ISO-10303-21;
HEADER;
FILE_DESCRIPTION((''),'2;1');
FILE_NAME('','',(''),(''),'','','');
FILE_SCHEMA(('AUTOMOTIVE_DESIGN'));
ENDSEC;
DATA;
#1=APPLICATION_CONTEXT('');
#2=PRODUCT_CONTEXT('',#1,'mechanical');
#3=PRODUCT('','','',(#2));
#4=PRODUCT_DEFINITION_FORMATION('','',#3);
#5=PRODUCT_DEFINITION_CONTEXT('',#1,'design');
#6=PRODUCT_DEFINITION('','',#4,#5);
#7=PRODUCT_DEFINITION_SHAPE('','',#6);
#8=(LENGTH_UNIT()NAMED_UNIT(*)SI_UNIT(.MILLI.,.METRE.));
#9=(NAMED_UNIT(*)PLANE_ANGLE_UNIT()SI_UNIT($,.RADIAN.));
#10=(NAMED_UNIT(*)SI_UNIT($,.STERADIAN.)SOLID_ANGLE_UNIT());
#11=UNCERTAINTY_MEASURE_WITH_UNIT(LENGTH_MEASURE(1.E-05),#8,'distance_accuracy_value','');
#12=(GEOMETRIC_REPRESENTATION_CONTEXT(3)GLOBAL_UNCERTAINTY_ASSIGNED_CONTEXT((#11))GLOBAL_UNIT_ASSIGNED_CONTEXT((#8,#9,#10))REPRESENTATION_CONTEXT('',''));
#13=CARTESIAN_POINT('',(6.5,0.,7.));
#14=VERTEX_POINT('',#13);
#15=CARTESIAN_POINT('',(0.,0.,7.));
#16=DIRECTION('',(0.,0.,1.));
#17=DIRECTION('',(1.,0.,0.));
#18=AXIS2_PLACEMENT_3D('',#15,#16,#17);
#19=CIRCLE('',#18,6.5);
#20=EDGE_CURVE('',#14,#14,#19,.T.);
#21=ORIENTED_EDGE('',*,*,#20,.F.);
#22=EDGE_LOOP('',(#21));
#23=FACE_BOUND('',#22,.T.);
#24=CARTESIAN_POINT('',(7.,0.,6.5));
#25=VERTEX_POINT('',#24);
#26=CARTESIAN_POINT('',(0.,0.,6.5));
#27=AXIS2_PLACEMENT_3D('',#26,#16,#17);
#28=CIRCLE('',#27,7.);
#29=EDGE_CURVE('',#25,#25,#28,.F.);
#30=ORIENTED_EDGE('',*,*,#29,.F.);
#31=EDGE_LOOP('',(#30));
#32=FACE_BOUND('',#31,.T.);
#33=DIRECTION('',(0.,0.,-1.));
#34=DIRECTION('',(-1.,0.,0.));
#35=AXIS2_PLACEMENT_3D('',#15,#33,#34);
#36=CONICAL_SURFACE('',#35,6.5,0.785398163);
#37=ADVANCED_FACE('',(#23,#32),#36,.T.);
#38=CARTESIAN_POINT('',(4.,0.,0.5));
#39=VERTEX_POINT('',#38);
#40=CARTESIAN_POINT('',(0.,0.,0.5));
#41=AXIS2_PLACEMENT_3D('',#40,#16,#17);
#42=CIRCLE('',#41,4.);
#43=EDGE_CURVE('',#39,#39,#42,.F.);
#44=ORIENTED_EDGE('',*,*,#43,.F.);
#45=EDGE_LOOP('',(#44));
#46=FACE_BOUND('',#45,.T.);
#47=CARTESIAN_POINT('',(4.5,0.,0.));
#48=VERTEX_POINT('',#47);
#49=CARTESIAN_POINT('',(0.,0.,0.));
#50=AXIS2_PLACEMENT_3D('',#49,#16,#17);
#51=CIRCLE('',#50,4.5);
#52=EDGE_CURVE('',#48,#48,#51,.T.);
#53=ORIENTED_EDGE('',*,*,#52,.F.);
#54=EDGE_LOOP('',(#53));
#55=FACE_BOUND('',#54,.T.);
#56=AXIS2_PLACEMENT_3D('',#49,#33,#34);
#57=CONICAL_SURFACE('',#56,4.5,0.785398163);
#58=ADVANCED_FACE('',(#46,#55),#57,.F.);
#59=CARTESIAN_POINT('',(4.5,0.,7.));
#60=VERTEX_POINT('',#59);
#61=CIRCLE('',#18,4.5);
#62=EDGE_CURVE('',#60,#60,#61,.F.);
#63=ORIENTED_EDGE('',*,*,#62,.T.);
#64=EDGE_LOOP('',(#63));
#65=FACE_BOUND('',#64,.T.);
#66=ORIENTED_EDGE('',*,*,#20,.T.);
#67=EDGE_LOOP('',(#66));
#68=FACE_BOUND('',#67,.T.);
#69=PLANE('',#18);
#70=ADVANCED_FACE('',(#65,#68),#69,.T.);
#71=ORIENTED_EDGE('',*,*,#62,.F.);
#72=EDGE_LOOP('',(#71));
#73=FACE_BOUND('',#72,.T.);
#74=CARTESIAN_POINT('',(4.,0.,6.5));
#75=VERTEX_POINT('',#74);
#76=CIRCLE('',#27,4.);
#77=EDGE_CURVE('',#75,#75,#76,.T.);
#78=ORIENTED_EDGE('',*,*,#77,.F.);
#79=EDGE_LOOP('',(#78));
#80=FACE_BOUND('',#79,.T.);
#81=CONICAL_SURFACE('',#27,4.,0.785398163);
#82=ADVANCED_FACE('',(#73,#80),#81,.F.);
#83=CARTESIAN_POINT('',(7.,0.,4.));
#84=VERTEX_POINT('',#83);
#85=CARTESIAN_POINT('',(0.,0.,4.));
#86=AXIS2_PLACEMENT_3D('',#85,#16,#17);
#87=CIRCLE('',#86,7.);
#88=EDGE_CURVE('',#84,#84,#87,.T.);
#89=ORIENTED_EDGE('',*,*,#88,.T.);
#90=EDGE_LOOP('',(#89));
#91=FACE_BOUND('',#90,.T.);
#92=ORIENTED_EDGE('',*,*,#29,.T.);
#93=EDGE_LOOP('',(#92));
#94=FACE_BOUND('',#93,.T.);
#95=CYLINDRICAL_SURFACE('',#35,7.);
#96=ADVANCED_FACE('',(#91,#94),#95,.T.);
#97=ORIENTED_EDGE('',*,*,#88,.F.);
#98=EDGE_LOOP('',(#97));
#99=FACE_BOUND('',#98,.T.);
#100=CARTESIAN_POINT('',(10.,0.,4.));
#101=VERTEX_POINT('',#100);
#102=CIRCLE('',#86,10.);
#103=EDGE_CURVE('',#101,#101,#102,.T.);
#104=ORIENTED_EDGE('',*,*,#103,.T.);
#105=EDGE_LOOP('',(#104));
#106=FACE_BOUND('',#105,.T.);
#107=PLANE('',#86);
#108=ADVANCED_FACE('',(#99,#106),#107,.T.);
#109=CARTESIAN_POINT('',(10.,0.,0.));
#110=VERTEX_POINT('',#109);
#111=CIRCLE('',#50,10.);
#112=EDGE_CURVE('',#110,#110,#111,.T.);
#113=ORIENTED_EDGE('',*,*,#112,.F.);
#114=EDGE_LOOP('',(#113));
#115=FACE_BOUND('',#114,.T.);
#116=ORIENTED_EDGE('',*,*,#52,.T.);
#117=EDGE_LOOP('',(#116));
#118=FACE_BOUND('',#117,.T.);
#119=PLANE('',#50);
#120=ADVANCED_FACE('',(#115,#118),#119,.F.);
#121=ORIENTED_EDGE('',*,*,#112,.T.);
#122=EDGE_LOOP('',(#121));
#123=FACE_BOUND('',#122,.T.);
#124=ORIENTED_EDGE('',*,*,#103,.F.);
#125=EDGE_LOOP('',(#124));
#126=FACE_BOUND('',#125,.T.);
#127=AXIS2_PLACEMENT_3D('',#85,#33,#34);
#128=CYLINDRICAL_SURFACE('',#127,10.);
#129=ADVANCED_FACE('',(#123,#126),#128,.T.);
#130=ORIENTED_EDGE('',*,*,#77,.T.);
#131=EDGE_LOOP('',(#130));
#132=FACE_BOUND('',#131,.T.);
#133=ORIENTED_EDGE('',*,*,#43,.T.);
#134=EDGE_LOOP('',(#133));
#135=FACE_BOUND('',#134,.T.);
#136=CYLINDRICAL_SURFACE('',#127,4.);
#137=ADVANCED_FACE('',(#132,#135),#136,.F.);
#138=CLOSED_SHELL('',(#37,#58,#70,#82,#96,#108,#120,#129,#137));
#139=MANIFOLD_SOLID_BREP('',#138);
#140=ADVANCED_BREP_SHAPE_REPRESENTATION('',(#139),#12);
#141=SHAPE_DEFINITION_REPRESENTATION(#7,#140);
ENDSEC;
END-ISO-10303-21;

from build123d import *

# Parameters (mm, degrees)
ESQUISSE1_R          = 10
ESQUISSE1_R_2        = 4
BASE_EXTRUSION_DEPTH = 4
ESQUISSE2_R          = 7
ESQUISSE2_R_2        = 4
BOSS_EXTRU_1_DEPTH   = 3
CHANFREIN3_SIZE      = 0.5


with BuildPart() as part:
    # Esquisse1 → Base-Extrusion (new body)
    with BuildSketch(Plane.XY):
        Circle(ESQUISSE1_R)
        Circle(ESQUISSE1_R_2, mode=Mode.SUBTRACT)
    extrude(amount=BASE_EXTRUSION_DEPTH)

    # Esquisse2 → Boss.-Extru.1 (add)
    with BuildSketch(Plane.XY.offset(4)):
        Circle(ESQUISSE2_R)
        Circle(ESQUISSE2_R_2, mode=Mode.SUBTRACT)
    extrude(amount=BOSS_EXTRU_1_DEPTH)

    # Chanfrein3
    chanfrein3_edges = [part.edges().sort_by_distance(p)[0] for p in [
        (-7, 0, 7),
        (-4, 0, 7),
        (-4, 0, 0),
    ]]
    chamfer(chanfrein3_edges, length=CHANFREIN3_SIZE)


solid = part.part
